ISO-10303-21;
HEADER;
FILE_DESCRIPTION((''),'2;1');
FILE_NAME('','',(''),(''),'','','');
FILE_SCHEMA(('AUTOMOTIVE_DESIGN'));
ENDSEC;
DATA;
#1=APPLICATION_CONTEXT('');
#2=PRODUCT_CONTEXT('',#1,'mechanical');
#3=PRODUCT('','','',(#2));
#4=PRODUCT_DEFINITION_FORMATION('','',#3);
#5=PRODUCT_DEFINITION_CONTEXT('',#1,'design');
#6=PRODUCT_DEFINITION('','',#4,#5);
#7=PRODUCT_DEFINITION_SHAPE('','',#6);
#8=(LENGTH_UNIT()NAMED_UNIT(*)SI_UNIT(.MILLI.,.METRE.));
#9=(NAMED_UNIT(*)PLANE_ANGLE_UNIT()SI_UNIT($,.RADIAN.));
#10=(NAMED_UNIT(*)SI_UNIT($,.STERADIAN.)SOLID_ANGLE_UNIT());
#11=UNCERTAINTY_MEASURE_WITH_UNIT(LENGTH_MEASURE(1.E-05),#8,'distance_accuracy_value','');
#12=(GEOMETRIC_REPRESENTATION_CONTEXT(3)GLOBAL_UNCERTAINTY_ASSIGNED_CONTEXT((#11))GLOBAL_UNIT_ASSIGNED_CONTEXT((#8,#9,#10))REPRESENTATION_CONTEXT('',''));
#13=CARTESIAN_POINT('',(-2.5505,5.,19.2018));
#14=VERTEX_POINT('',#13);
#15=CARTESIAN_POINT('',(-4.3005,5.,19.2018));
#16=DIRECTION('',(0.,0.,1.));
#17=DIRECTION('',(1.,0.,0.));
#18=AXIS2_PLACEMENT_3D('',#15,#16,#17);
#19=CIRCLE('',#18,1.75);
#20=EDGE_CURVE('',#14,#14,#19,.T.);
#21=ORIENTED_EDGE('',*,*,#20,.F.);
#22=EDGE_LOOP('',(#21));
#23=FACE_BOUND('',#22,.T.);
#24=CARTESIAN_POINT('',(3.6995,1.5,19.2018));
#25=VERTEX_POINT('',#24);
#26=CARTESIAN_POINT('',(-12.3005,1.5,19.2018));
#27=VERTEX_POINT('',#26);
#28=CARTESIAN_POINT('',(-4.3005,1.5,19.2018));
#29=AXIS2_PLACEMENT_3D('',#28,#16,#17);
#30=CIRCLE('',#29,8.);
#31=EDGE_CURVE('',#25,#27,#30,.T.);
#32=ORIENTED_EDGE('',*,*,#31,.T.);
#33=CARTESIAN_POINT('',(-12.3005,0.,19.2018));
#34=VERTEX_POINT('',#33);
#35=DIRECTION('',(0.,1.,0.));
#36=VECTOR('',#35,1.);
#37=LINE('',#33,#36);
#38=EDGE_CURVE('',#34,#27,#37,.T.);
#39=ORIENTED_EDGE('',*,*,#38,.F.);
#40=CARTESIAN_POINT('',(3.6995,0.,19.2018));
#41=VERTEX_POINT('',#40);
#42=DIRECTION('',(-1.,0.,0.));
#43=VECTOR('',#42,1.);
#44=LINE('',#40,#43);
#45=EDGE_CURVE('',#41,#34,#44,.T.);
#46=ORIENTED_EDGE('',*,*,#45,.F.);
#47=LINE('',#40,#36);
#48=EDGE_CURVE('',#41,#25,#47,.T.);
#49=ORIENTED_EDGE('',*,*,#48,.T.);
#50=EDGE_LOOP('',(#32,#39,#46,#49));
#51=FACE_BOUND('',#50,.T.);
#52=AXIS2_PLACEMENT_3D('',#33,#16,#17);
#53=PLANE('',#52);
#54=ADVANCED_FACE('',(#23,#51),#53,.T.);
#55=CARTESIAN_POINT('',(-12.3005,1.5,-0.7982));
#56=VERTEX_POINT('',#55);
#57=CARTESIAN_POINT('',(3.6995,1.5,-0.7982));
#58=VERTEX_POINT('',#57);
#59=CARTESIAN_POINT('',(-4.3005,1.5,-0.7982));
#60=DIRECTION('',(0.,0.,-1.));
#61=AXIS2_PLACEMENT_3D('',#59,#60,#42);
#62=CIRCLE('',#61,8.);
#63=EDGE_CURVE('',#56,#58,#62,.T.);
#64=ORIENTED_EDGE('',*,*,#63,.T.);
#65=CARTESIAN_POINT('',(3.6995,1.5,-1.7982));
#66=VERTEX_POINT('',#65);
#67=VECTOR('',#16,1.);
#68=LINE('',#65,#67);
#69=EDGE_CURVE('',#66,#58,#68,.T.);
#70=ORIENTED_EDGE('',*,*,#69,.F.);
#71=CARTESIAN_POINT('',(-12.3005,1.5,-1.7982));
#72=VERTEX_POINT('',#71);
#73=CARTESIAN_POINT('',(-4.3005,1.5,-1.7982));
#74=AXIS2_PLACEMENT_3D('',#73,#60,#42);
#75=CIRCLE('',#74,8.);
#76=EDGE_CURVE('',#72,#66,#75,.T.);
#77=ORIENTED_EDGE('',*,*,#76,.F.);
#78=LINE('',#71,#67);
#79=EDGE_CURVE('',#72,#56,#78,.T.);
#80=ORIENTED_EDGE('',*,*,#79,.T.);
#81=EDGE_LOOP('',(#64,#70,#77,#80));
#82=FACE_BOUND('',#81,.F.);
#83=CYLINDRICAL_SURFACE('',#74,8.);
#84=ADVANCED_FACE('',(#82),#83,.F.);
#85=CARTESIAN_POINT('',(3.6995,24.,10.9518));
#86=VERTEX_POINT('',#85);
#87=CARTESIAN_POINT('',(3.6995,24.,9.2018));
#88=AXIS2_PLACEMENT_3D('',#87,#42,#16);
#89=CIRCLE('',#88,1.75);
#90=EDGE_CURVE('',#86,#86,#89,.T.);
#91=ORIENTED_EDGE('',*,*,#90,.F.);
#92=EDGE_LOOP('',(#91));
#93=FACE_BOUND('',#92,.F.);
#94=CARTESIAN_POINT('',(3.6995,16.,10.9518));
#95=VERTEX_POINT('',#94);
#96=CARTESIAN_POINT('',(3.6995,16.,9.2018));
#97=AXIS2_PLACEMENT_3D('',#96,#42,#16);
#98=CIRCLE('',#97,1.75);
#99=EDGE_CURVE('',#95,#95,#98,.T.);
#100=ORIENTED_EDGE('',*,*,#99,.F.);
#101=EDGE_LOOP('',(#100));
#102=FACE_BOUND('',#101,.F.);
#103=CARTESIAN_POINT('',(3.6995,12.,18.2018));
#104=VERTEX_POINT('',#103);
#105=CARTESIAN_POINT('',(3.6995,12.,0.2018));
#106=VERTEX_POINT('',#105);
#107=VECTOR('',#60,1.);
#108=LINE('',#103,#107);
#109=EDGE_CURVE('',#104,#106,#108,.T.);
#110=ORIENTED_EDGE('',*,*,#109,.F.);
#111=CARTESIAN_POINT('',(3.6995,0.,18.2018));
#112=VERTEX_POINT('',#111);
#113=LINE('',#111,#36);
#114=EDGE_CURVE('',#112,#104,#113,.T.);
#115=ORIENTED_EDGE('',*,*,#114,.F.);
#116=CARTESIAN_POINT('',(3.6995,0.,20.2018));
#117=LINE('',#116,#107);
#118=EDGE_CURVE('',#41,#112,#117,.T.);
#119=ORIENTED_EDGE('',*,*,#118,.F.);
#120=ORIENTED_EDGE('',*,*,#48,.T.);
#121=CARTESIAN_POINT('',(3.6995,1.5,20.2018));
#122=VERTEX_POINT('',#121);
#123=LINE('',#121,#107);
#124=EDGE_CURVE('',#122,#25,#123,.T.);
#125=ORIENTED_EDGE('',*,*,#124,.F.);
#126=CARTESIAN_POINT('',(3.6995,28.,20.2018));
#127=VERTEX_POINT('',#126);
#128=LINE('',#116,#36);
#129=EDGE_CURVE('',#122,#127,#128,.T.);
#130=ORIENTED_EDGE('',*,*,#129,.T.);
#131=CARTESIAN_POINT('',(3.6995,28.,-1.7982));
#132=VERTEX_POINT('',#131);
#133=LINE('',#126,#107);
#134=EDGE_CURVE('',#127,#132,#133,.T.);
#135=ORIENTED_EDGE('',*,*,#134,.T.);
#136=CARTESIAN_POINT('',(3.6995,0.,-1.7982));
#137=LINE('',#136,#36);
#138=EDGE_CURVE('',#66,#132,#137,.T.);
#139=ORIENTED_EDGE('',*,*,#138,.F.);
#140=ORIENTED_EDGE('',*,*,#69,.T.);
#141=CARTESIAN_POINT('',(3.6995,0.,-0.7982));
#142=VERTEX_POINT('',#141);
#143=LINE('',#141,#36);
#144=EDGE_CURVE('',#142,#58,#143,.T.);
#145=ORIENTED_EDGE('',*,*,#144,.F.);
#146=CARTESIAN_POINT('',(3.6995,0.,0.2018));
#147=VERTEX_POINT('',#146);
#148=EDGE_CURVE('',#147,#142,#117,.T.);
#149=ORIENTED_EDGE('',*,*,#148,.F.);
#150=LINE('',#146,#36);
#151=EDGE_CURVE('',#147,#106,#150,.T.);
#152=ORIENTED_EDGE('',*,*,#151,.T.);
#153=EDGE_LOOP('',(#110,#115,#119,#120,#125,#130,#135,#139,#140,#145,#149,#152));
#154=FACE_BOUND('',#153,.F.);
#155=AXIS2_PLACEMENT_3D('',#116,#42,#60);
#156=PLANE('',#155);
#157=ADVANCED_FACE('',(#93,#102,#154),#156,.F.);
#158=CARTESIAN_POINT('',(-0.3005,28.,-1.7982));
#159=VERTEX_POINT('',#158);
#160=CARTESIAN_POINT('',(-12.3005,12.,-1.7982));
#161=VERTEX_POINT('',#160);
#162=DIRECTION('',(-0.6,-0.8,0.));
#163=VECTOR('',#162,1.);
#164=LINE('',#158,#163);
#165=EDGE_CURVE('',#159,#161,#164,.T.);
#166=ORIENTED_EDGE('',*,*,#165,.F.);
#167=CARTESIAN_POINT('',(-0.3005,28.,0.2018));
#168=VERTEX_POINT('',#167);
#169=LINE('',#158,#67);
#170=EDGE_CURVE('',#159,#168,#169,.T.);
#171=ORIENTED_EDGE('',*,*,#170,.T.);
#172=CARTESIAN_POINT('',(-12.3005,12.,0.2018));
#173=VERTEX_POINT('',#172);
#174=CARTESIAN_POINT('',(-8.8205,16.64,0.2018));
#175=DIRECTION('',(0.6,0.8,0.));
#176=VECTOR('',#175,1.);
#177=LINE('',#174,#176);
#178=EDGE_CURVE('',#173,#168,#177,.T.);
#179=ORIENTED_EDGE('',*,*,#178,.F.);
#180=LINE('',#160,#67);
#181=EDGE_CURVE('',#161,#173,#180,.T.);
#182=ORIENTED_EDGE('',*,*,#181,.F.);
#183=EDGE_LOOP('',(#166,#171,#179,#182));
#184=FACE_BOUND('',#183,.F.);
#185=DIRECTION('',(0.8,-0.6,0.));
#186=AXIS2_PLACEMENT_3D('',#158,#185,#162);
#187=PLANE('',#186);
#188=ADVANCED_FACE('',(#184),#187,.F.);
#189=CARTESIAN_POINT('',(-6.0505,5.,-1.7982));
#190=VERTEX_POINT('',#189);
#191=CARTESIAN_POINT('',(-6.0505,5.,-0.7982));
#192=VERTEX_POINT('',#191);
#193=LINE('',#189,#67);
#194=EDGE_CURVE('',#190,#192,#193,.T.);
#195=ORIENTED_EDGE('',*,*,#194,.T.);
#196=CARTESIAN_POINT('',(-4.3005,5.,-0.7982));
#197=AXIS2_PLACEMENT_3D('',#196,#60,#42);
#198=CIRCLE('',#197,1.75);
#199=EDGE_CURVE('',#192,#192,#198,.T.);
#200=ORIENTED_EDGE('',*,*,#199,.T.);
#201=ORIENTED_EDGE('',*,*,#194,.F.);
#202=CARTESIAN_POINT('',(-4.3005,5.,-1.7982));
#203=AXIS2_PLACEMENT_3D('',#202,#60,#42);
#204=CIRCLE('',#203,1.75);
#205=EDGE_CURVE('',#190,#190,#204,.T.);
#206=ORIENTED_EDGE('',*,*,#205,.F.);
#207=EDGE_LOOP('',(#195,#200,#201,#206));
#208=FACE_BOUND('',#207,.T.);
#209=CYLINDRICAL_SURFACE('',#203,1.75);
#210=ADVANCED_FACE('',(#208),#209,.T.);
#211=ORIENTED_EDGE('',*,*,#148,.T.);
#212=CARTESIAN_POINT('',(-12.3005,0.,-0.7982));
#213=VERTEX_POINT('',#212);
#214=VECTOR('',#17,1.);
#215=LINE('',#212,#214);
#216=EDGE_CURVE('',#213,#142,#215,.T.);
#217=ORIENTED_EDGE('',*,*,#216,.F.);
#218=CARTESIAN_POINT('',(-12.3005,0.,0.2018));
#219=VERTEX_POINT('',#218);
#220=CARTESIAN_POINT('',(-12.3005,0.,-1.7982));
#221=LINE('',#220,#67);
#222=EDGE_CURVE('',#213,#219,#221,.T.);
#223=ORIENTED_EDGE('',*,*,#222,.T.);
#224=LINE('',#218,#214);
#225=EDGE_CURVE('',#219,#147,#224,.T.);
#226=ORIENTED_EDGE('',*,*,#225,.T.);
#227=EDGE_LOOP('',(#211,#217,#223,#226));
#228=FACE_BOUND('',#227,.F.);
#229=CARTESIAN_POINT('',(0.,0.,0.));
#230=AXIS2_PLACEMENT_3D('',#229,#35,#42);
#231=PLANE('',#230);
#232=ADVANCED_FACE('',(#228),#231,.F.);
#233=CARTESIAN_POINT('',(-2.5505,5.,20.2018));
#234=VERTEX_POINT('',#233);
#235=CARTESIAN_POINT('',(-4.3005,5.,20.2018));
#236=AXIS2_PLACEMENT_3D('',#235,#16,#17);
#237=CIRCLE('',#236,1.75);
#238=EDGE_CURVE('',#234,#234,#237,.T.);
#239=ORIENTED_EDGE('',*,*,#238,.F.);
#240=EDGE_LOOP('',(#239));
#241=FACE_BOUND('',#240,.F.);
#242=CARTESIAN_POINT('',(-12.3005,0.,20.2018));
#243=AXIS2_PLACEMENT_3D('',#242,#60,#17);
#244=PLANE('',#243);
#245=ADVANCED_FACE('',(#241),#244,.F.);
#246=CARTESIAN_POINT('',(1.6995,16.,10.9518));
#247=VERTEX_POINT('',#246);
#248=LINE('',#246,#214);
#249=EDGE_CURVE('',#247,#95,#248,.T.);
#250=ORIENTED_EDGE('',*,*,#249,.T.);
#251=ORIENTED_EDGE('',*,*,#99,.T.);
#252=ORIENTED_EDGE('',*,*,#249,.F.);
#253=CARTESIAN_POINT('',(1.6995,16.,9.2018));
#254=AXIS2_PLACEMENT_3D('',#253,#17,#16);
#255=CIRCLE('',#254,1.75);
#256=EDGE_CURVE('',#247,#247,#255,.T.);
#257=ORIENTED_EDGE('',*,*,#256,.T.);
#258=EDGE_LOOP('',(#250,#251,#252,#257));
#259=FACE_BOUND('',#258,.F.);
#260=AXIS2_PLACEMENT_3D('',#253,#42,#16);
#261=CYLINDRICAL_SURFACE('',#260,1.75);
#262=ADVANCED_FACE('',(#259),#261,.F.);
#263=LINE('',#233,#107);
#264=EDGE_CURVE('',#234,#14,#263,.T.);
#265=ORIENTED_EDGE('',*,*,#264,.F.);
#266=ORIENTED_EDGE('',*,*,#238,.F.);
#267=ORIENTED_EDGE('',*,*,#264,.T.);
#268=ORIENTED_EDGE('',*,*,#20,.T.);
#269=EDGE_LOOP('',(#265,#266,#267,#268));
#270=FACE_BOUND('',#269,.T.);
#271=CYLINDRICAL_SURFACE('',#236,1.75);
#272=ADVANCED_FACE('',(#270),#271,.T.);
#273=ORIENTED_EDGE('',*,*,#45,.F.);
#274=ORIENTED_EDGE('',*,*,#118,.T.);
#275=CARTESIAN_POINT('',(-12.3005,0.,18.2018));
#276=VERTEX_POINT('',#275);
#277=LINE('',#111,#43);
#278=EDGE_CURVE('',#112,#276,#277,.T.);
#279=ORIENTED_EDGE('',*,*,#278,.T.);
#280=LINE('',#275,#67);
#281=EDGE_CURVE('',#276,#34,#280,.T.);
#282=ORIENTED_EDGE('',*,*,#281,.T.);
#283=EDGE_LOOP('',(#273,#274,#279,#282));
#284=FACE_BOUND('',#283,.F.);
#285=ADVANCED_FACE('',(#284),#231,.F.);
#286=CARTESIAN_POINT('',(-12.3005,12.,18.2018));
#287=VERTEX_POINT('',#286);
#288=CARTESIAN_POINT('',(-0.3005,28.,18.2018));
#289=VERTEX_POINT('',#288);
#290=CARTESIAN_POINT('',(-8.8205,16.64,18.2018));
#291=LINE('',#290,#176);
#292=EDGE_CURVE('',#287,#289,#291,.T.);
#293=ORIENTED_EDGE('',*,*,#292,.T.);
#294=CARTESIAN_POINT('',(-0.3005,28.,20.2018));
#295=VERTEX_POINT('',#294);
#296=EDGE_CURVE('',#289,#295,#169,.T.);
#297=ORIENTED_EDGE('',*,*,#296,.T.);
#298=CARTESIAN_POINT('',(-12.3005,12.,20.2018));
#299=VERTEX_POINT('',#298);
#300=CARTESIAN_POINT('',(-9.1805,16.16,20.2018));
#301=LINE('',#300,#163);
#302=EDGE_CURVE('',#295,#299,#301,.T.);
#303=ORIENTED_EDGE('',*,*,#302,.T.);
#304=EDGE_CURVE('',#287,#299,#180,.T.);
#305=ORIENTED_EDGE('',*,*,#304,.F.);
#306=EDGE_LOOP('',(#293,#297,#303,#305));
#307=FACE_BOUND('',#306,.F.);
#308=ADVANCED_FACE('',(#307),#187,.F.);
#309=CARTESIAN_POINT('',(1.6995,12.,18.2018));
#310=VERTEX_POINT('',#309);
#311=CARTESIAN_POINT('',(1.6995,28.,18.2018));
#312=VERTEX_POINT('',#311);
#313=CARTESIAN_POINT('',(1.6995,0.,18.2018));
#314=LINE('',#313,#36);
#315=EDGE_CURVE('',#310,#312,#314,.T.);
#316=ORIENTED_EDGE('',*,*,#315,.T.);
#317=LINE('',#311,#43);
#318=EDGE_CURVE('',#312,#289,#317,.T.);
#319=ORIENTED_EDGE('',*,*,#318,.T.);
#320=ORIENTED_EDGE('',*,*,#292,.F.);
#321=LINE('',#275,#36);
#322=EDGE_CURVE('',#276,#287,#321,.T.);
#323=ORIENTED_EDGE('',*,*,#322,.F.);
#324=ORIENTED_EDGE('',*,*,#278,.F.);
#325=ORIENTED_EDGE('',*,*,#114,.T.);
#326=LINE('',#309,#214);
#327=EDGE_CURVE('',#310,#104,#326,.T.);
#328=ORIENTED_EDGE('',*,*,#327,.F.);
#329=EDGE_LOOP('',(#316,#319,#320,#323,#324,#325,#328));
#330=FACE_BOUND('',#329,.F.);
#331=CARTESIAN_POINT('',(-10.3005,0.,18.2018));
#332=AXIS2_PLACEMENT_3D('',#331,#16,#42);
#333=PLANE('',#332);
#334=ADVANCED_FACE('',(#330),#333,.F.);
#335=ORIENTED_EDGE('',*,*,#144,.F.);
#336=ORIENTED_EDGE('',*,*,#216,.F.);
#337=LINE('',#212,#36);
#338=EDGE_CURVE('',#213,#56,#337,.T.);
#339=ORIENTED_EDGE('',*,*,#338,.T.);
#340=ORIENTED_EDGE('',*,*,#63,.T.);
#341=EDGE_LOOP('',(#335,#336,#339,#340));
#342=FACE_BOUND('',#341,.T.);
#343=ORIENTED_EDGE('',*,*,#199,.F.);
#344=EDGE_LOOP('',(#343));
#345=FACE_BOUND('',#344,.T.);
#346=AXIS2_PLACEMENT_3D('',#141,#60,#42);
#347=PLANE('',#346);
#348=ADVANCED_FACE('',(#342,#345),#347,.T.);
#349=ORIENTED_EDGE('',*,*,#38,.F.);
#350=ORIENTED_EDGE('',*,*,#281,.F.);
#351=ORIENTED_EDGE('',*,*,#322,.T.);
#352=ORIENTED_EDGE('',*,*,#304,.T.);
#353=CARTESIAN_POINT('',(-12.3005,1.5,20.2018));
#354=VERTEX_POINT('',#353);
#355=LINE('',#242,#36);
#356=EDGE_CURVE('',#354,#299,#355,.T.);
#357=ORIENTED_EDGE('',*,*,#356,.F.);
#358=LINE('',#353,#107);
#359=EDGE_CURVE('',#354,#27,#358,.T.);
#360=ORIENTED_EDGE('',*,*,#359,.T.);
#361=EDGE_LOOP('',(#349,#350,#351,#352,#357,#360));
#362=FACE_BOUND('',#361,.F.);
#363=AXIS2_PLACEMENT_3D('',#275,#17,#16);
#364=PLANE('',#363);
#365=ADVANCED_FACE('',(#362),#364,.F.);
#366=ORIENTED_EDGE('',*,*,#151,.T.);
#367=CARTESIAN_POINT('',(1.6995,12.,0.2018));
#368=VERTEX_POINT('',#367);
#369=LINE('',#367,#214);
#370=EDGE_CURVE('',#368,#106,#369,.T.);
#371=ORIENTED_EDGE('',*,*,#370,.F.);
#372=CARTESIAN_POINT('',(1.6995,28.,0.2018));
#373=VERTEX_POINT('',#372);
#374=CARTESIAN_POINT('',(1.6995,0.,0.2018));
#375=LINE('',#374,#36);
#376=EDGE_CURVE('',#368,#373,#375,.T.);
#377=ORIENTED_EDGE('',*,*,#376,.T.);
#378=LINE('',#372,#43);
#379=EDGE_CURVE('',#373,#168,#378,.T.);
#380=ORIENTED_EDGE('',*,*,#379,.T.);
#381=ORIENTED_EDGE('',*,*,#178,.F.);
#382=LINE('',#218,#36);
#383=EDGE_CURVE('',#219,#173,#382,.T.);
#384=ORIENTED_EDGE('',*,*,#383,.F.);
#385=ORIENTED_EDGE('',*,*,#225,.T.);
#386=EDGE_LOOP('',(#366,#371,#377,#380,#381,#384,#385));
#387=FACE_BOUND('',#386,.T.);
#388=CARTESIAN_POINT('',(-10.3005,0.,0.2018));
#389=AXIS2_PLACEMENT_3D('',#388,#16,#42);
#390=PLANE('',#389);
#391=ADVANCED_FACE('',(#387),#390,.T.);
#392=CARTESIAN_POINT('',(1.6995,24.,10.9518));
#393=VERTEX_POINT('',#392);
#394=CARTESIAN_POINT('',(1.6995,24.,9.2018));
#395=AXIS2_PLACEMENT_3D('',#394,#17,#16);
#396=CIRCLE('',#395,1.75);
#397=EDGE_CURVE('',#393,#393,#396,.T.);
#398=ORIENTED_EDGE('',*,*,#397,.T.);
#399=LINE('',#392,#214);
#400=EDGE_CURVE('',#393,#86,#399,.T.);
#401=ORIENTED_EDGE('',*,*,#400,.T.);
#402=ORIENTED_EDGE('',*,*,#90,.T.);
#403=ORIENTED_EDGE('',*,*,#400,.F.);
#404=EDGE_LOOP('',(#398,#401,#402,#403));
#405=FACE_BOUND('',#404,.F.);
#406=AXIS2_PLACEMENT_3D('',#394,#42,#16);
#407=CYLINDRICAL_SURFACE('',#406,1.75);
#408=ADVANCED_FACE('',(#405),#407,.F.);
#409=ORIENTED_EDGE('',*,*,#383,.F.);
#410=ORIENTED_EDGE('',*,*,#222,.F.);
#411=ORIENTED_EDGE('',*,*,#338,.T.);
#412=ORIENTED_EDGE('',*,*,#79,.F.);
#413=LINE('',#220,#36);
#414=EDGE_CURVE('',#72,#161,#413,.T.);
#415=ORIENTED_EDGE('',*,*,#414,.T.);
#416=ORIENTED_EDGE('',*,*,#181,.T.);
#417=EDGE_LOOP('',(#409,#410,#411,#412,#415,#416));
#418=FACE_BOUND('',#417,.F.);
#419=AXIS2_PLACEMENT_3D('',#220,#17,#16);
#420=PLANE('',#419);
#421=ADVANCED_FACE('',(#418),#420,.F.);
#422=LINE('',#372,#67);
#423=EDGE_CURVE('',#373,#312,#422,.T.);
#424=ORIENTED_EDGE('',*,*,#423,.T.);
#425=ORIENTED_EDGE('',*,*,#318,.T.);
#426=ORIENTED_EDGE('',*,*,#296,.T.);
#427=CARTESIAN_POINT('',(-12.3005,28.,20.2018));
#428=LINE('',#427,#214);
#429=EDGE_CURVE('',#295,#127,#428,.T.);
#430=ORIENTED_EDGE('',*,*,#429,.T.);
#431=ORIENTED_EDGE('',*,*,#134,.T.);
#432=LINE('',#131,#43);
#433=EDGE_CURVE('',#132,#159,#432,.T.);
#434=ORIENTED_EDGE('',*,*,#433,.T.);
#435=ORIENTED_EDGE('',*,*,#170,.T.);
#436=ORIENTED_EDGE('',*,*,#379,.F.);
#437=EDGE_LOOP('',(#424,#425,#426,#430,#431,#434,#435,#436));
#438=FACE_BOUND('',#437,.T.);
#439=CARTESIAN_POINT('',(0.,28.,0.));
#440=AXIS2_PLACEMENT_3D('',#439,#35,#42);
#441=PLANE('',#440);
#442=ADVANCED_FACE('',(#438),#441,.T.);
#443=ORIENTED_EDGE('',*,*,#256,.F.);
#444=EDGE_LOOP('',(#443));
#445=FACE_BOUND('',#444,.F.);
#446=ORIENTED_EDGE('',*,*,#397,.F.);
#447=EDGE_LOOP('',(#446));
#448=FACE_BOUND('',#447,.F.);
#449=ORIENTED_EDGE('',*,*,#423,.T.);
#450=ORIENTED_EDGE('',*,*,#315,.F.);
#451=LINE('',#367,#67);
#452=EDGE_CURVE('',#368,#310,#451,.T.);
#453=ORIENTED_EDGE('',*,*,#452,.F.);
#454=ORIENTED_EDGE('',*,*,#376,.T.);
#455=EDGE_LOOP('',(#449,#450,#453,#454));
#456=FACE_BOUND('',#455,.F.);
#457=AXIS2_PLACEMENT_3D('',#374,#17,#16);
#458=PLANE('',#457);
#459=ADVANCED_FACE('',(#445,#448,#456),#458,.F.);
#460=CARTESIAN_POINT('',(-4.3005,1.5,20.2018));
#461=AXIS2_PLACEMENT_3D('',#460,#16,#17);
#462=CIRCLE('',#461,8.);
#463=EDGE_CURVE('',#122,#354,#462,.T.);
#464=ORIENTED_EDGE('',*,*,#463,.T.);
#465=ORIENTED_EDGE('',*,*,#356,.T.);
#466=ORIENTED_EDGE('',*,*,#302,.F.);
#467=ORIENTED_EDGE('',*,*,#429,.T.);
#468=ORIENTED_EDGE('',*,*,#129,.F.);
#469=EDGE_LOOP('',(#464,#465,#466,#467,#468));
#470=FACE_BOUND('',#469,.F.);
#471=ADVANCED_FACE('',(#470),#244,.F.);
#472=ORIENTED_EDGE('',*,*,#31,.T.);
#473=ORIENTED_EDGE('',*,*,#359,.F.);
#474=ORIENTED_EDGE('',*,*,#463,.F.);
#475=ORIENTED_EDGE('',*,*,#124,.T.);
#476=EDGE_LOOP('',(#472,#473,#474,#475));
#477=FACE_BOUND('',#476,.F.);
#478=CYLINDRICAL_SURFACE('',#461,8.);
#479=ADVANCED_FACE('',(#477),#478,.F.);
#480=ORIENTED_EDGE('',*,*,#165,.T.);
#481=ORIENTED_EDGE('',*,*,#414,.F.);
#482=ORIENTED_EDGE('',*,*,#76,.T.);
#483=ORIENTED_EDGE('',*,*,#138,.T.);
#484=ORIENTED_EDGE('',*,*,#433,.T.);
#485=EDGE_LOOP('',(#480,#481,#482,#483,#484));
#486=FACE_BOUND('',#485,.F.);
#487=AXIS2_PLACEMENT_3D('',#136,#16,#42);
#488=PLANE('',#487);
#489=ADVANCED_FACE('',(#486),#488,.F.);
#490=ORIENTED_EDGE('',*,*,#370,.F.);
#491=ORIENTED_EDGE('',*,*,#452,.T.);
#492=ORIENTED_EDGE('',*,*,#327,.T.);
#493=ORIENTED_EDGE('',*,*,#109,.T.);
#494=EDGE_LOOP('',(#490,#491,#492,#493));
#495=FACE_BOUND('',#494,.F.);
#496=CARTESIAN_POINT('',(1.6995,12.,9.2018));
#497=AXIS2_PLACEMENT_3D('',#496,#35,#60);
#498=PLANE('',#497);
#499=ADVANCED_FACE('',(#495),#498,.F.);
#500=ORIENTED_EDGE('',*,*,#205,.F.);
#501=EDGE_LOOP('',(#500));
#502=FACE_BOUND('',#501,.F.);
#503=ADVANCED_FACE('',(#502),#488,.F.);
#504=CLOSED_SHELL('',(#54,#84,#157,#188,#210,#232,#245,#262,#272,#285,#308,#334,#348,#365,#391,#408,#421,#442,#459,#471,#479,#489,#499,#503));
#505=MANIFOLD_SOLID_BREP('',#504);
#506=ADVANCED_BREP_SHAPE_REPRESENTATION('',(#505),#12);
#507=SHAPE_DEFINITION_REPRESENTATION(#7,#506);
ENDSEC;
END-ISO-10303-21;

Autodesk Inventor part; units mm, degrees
ref_plane "YZ Plane" through (0, 0, 0) normal (1, 0, 0) x (0, 1, 0)
ref_plane "XZ Plane" through (0, 0, 0) normal (0, 1, 0) x (-1, 0, 0)
ref_plane "XY Plane" through (0, 0, 0) normal (0, 0, 1) x (1, 0, 0)
sketch "Boceto1" plane through (0, 0, 0) normal (0, 1, 0) x (-1, 0, 0)
  line L0 (10.3005, 0.2018) -> (-1.6995, 0.2018)
  line L1 (-1.6995, 0.2018) -> (-1.6995, 18.2018)
  line L2 (-1.6995, 18.2018) -> (10.3005, 18.2018)
  line L3 (12.3005, 20.2018) -> (-3.6995, 20.2018)
  line L4 (-3.6995, 20.2018) -> (-3.6995, -1.7982)
  line L5 (-3.6995, -1.7982) -> (12.3005, -1.7982)
  line L6 (10.3005, 18.2018) -> (12.3005, 18.2018)
  line L7 (10.3005, 0.2018) -> (12.3005, 0.2018)
  line L8 (12.3005, -1.7982) -> (12.3005, 0.2018)
  line L9 (12.3005, 18.2018) -> (12.3005, 20.2018)
  point P0 (0, 0)
  point P1 (0, 0)
  dimension "d0" = 18
  dimension "d1" = 12
extrude "Extrusión1" add sketch "Boceto1" along normal blind 28
sketch "Boceto2" plane through (-12.3005, 0, 20.2018) normal (0, 0, 1) x (1, 0, 0)
  line L0 (0, 0) -> (0, 1.5)
  line L1 (0, 0) -> (0, 28)
  line L2 (0, 0) -> (14, 0)
  line L3 (16, 0) -> (16, 28)
  line L4 (0, 0) -> (16, 0)
  line L5 (16, 0) -> (16, 1.5)
  arc A0 (16, 1.5) -> (0, 1.5) centre (8, 1.5) ccw
  circle A1 centre (8, 5) radius 1.75
  point P0 (12.3005, 0)
  dimension "d4" = 1.5
  dimension "d5" = 3.5
  dimension "d6" = 5
extrude "Extrusión2" cut sketch "Boceto2" against normal blind 1
sketch "Boceto3" plane through (3.6995, 0, -1.7982) normal (0, 0, -1) x (-1, 0, 0)
  line L0 (0, 0) -> (0, 1.5)
  line L1 (0, 0) -> (0, 25)
  line L2 (0, 0) -> (14, 0)
  line L3 (16, 0) -> (16, 25)
  line L4 (0, 0) -> (16, 0)
  line L5 (16, 0) -> (16, 1.5)
  arc A0 (16, 1.5) -> (0, 1.5) centre (8, 1.5) ccw
  circle A1 centre (8, 5) radius 1.75
  point P0 (3.6995, 0)
  point P1 (12.3005, 0)
  dimension "d9" = 1.5
  dimension "d10" = 3.5
  dimension "d11" = 5
extrude "Extrusión3" cut sketch "Boceto3" against normal blind 1
sketch "Boceto4" plane through (1.6995, 0, 0.2018) normal (-1, 0, 0) x (0, 0, 1)
  line L0 (18, 0) -> (18, 28)
  line L1 (18, 28) -> (18, 12)
  line L2 (18, 12) -> (0, 12)
  line L3 (0, 0) -> (0, 28)
  line L4 (18, 28) -> (0, 28)
  line L5 (0, 28) -> (0, 12)
  line L6 (20, 28) -> (-2, 28)
  line L7 (9, 28) -> (9, 12)
  circle A0 centre (9, 24) radius 1.75
  circle A1 centre (9, 16) radius 1.75
  line L8 (18, 12) -> (18, 0)
  line L9 (0, 0) -> (18, 0)
  line L10 (0, 0) -> (0, 12)
  line L11 (18, 0) -> (0, 0)
  point P0 (-0.2018, 0)
  dimension "d14" = 16
  dimension "d15" = 3.5
  dimension "d16" = 3.5
  dimension "d17" = 4
  dimension "d18" = 4
extrude "Extrusión4" cut sketch "Boceto4" against normal blind 2 contours L9 L3 L2 L0 | A1 L7 | L7 A1 | A0 L7 | L7 A0
sketch "Boceto5" plane through (3.6995, 28, -1.7982) normal (0, 0, -1) x (-1, 0, 0)
  line L0 (0, -26.5) -> (0, 0)
  line L1 (0, 0) -> (4, 0)
  line L2 (16, 0) -> (0, 0)
  line L3 (0, 0) -> (0, -16)
  line L4 (0, -16) -> (16, -16)
  line L5 (16, -26.5) -> (16, 0)
  line L6 (4, 0) -> (16, -16)
  line L7 (4, 0) -> (4, -16)
  point P0 (3.6995, -28)
  dimension "d21" = 4
  dimension "d22" = 16
extrude "Extrusión5" cut sketch "Boceto5" against normal blind 30 contours L2 L5 L6
properties part number "Kit de Sujeción 1"
